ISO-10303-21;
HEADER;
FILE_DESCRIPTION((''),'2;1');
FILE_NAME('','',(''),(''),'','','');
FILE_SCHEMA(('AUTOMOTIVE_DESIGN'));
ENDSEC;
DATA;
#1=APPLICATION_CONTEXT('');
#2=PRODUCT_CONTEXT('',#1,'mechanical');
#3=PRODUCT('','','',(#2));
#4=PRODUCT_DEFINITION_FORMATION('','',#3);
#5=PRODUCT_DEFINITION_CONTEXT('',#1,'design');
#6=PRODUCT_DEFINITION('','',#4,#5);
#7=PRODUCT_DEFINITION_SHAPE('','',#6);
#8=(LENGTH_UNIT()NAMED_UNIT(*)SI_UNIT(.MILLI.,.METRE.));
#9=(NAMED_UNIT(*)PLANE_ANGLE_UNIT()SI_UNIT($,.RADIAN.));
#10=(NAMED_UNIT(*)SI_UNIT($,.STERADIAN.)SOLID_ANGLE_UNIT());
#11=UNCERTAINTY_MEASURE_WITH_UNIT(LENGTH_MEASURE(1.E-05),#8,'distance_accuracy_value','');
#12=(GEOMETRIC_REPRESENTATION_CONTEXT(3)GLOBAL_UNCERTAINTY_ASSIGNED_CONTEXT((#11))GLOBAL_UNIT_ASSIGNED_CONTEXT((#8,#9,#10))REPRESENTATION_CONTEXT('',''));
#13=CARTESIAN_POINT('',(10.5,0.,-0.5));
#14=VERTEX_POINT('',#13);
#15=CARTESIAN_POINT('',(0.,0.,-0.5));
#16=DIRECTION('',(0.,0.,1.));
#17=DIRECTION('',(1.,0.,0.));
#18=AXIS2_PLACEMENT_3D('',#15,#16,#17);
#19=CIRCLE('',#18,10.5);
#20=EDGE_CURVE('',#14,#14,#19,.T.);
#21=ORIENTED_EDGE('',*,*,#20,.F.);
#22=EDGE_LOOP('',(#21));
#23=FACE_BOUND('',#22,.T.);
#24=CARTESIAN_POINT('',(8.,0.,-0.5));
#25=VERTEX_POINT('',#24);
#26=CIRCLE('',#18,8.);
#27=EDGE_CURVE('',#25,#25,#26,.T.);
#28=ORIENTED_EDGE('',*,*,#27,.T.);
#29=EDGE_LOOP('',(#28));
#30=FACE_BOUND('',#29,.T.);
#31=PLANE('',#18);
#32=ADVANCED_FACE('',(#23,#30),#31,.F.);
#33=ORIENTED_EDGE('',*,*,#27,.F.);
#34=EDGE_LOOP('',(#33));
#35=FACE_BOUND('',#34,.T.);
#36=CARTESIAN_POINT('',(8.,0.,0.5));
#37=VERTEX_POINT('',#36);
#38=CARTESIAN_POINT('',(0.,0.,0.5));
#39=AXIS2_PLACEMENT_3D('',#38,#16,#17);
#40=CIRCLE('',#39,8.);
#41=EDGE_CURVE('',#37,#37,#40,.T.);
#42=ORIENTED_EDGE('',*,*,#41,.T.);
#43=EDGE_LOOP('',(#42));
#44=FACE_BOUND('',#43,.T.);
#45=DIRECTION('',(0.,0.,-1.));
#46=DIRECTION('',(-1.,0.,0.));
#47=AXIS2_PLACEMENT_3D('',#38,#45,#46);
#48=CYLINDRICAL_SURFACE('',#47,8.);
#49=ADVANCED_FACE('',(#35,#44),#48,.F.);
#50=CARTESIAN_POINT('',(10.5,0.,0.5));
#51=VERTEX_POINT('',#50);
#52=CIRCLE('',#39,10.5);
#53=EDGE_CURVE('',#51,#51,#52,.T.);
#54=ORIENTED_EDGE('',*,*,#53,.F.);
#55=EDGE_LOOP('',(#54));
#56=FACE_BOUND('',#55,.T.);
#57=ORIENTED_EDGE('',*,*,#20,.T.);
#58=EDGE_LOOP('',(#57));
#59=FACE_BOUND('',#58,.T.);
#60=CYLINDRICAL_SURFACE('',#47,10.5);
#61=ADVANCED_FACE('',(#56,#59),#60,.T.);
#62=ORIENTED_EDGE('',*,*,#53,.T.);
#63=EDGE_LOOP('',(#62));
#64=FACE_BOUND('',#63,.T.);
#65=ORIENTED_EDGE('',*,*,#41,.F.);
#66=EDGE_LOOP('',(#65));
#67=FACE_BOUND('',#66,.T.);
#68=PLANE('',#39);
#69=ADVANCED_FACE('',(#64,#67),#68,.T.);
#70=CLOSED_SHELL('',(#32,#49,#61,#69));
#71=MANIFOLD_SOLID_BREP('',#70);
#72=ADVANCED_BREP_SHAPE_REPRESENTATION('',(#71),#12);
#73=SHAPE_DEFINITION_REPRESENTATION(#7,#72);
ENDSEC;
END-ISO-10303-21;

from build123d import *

# Parameters (mm, degrees)
ESQUISSE1_R      = 10.5
ESQUISSE1_R_2    = 8
EXTRUSION1_DEPTH = 0.5


with BuildPart() as part:
    # Esquisse1 → Extrusion1 (new body, symmetric)
    with BuildSketch(Plane.XY):
        Circle(ESQUISSE1_R)
        Circle(ESQUISSE1_R_2, mode=Mode.SUBTRACT)
    extrude(amount=EXTRUSION1_DEPTH, both=True)


solid = part.part
